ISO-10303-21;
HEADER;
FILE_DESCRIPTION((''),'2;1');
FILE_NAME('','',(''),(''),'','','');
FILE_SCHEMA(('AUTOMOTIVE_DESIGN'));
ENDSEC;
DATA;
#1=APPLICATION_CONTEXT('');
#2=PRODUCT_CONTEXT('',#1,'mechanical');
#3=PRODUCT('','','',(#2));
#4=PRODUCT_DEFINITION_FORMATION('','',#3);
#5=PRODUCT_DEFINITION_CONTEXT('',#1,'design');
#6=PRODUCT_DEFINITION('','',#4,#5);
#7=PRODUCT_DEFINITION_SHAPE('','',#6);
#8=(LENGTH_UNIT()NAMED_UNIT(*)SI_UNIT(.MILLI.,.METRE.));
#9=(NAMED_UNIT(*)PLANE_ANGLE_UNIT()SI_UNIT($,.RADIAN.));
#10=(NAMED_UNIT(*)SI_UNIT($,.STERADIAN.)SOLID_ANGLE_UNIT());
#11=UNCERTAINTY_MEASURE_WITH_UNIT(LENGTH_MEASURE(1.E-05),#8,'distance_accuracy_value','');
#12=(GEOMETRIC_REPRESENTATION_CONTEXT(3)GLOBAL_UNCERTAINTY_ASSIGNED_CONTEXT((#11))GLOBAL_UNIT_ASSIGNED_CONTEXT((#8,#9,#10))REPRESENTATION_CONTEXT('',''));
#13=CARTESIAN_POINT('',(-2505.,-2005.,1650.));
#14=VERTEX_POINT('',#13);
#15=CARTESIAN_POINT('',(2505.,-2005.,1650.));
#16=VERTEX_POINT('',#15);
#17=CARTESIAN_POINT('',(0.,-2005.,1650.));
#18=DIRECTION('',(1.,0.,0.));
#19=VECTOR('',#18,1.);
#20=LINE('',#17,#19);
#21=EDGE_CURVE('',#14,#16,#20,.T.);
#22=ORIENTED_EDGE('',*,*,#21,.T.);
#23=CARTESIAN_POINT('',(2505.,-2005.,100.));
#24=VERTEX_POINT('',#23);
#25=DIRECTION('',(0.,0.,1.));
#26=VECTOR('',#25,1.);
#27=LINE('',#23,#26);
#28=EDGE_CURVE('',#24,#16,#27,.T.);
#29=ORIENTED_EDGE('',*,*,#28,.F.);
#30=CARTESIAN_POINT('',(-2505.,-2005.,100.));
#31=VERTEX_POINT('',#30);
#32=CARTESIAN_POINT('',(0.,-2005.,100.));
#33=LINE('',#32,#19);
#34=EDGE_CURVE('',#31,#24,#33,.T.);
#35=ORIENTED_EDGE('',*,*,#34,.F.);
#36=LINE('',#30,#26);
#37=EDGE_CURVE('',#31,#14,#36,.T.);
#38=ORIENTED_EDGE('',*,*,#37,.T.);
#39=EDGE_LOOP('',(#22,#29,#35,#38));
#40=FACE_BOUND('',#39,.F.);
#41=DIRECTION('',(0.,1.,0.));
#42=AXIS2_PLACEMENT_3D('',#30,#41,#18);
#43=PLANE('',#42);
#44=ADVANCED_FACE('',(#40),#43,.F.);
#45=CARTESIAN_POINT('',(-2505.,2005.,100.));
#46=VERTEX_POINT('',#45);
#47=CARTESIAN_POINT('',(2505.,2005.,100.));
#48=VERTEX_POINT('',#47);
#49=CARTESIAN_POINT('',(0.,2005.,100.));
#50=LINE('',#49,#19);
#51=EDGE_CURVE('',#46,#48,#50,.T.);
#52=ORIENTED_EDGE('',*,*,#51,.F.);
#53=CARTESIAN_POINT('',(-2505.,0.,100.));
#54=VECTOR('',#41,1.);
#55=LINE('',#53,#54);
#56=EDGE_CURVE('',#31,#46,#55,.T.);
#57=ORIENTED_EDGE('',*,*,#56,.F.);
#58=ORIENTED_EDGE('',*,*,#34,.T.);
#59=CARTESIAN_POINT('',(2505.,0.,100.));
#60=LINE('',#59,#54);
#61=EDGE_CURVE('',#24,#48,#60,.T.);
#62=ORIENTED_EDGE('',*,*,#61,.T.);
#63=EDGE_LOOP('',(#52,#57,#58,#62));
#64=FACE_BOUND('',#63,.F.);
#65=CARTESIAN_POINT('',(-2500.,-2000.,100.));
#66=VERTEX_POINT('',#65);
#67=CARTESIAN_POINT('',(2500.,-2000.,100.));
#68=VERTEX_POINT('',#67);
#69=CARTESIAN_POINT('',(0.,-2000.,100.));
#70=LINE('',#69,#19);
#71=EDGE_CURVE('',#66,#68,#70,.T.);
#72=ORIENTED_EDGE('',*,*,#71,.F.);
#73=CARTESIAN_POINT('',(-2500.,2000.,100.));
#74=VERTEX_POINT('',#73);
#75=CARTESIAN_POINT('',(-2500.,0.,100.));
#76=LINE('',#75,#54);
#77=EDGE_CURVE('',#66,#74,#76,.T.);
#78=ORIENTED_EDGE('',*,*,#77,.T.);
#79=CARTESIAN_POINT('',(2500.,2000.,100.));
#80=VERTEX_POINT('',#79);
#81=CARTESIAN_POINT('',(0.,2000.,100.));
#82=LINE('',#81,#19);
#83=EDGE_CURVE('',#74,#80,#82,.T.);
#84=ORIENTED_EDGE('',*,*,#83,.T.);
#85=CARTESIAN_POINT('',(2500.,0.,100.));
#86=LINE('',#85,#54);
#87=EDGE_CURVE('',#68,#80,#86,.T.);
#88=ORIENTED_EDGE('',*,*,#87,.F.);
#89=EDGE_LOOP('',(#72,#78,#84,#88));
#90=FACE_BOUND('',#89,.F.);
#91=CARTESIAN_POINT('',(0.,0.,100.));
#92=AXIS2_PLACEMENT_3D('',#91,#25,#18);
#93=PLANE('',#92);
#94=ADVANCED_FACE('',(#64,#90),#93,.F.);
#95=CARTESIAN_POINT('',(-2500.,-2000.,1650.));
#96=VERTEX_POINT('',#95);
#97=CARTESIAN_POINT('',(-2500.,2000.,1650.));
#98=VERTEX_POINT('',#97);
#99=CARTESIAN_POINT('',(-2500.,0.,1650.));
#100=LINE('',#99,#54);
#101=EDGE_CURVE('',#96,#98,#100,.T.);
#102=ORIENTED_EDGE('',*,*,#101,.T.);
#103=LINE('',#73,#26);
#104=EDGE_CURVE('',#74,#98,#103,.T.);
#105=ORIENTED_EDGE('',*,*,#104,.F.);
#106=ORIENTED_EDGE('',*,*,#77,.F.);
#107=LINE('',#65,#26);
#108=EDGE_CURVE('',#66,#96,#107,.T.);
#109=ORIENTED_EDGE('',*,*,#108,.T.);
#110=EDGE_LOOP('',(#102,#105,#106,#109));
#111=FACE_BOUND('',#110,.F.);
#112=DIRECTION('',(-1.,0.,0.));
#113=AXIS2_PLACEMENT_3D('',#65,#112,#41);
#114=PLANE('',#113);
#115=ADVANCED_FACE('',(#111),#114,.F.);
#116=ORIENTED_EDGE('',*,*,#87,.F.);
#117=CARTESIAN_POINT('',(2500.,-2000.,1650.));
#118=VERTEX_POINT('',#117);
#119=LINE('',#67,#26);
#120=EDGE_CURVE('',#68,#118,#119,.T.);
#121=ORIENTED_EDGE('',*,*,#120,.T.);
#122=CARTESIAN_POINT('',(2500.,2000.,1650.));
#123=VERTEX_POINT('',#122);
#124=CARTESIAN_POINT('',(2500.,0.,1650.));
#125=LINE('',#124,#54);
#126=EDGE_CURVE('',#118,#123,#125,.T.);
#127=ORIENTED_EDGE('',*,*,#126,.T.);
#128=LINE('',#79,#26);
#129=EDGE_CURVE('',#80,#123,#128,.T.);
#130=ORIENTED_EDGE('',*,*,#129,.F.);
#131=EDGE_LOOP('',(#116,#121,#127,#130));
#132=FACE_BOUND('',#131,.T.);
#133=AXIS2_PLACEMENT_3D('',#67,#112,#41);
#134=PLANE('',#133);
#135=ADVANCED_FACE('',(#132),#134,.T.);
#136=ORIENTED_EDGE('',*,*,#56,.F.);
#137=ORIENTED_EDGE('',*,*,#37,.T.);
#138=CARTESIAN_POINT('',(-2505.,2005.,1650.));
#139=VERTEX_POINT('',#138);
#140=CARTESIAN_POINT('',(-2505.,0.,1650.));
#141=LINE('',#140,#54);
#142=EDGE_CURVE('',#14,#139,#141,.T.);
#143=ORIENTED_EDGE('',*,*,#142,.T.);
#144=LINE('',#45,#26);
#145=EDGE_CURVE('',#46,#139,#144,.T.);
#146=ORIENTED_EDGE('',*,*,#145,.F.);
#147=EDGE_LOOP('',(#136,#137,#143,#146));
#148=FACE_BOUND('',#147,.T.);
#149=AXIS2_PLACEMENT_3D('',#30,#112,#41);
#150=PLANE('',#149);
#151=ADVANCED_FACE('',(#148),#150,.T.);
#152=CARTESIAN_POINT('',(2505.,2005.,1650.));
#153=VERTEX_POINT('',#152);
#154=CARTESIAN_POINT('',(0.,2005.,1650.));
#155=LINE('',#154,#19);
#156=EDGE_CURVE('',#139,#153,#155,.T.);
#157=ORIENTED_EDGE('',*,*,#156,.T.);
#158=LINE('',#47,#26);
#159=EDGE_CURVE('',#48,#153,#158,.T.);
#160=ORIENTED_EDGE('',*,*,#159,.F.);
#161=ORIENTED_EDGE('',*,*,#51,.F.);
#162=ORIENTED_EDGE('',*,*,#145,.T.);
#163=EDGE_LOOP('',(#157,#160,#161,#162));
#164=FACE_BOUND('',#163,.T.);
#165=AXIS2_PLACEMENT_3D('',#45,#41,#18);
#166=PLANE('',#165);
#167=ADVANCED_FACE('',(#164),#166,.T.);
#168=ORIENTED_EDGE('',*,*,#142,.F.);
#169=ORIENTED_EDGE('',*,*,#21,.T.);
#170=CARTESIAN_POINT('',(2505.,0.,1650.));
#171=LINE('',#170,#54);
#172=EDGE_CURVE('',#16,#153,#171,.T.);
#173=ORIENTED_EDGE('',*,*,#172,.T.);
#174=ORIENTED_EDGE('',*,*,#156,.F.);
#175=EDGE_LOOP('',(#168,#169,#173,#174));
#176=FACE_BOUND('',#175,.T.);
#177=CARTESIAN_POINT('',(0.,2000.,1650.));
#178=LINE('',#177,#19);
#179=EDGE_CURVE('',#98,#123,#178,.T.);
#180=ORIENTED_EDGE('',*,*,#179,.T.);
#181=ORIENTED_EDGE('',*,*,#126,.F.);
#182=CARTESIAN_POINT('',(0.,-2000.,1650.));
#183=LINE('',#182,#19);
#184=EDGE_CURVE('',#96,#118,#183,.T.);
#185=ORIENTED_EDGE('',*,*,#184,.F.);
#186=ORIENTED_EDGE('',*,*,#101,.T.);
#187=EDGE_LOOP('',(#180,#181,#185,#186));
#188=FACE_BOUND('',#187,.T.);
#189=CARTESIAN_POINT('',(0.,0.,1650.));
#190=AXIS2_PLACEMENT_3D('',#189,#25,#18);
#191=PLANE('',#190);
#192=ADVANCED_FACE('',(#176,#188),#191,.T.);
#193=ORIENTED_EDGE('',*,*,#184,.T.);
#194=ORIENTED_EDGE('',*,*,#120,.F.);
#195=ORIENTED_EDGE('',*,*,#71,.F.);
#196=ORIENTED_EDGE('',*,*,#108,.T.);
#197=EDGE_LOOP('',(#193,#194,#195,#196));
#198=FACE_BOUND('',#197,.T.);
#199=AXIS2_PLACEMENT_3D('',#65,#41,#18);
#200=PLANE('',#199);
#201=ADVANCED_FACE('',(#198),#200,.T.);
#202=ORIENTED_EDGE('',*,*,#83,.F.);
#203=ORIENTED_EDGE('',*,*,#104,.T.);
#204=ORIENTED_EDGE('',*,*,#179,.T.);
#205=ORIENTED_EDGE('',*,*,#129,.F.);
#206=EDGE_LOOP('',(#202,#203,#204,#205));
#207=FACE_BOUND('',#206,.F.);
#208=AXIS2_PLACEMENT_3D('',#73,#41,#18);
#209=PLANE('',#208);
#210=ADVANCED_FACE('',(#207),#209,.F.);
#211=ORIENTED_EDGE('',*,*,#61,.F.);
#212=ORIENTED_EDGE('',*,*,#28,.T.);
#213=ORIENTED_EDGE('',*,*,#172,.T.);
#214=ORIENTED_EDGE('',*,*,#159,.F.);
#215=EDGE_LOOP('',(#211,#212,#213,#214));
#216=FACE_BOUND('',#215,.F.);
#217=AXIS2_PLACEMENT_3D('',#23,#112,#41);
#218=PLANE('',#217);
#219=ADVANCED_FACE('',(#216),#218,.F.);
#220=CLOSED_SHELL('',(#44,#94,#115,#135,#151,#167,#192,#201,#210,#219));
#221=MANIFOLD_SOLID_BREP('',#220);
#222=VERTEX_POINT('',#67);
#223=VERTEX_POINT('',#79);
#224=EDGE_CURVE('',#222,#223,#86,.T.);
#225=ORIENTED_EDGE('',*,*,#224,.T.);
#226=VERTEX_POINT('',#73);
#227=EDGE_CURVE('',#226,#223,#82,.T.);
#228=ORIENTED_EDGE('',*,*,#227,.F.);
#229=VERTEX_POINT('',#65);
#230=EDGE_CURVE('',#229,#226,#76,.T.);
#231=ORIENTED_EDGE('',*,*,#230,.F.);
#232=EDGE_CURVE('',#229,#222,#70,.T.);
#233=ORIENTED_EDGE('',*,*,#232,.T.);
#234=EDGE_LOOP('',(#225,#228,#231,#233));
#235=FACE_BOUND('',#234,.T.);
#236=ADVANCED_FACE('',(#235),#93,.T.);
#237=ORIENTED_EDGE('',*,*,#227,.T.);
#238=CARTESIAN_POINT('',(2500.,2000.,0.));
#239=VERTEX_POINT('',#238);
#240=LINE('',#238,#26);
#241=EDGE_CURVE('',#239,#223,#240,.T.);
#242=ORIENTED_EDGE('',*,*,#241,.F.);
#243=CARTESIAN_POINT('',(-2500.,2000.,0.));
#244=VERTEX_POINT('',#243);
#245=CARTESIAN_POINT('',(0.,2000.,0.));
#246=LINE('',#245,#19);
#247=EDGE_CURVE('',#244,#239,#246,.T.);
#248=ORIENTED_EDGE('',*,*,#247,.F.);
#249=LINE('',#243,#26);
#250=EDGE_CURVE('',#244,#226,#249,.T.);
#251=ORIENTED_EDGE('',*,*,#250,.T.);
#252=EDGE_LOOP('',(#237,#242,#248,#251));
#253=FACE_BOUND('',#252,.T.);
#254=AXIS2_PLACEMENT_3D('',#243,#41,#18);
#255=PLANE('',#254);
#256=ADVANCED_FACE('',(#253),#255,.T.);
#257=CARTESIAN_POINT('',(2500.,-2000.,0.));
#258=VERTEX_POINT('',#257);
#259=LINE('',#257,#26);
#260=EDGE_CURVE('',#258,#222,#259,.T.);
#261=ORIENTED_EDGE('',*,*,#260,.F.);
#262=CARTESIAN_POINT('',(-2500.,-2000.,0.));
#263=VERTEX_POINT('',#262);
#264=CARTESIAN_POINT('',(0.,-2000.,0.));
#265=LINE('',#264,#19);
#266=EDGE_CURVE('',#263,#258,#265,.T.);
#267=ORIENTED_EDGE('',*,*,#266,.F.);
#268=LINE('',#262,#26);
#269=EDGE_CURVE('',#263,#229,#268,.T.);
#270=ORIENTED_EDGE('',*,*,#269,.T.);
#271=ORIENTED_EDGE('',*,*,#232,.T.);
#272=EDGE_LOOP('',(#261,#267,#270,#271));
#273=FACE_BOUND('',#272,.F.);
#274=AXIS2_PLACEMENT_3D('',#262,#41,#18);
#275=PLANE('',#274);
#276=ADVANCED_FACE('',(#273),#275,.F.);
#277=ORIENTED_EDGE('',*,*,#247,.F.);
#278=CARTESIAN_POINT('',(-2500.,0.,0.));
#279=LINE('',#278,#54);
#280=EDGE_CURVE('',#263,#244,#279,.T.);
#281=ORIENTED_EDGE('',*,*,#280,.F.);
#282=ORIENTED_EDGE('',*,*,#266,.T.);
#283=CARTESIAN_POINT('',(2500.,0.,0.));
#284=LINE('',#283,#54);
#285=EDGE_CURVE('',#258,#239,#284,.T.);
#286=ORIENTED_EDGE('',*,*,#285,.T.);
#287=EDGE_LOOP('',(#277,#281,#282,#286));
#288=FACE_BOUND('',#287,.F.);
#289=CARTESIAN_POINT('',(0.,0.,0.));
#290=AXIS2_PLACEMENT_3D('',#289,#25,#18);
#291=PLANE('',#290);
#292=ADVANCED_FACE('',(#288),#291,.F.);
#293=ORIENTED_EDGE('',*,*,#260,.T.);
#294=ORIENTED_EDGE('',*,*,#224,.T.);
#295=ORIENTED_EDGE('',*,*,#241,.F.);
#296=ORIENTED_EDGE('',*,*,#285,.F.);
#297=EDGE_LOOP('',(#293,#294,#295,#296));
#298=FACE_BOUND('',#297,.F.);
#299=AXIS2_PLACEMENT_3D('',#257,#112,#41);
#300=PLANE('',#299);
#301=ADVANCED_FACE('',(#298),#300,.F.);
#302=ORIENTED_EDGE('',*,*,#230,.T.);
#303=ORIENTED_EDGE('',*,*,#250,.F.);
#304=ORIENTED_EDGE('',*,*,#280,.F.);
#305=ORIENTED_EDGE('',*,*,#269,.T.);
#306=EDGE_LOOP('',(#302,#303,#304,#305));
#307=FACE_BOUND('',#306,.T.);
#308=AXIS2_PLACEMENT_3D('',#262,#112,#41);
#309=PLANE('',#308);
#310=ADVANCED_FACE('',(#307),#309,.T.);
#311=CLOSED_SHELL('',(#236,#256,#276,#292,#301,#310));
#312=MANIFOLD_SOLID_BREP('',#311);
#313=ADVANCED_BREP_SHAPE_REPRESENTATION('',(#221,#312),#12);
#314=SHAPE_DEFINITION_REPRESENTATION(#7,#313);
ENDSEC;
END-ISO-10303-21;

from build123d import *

# Parameters (mm, degrees)
F0_W     = 5000
F0_H     = 4000
F1_DEPTH = 100
F2_W     = 5010
F2_H     = 4010
F2_W_2   = 5000
F2_H_2   = 4000
F3_DEPTH = 1550


with BuildPart() as f1:
    # F0 (on Top) → F1 (new body)
    with BuildSketch(Plane.XY):
        Rectangle(F0_W, F0_H)
    extrude(amount=F1_DEPTH)


with BuildPart() as f3:
    # F2 (on face) → F3 (new body)
    with BuildSketch(Plane.XY.offset(100)):
        Rectangle(F2_W, F2_H)
        Rectangle(F2_W_2, F2_H_2, mode=Mode.SUBTRACT)
    extrude(amount=F3_DEPTH)


solid = Compound([f1.part, f3.part])
